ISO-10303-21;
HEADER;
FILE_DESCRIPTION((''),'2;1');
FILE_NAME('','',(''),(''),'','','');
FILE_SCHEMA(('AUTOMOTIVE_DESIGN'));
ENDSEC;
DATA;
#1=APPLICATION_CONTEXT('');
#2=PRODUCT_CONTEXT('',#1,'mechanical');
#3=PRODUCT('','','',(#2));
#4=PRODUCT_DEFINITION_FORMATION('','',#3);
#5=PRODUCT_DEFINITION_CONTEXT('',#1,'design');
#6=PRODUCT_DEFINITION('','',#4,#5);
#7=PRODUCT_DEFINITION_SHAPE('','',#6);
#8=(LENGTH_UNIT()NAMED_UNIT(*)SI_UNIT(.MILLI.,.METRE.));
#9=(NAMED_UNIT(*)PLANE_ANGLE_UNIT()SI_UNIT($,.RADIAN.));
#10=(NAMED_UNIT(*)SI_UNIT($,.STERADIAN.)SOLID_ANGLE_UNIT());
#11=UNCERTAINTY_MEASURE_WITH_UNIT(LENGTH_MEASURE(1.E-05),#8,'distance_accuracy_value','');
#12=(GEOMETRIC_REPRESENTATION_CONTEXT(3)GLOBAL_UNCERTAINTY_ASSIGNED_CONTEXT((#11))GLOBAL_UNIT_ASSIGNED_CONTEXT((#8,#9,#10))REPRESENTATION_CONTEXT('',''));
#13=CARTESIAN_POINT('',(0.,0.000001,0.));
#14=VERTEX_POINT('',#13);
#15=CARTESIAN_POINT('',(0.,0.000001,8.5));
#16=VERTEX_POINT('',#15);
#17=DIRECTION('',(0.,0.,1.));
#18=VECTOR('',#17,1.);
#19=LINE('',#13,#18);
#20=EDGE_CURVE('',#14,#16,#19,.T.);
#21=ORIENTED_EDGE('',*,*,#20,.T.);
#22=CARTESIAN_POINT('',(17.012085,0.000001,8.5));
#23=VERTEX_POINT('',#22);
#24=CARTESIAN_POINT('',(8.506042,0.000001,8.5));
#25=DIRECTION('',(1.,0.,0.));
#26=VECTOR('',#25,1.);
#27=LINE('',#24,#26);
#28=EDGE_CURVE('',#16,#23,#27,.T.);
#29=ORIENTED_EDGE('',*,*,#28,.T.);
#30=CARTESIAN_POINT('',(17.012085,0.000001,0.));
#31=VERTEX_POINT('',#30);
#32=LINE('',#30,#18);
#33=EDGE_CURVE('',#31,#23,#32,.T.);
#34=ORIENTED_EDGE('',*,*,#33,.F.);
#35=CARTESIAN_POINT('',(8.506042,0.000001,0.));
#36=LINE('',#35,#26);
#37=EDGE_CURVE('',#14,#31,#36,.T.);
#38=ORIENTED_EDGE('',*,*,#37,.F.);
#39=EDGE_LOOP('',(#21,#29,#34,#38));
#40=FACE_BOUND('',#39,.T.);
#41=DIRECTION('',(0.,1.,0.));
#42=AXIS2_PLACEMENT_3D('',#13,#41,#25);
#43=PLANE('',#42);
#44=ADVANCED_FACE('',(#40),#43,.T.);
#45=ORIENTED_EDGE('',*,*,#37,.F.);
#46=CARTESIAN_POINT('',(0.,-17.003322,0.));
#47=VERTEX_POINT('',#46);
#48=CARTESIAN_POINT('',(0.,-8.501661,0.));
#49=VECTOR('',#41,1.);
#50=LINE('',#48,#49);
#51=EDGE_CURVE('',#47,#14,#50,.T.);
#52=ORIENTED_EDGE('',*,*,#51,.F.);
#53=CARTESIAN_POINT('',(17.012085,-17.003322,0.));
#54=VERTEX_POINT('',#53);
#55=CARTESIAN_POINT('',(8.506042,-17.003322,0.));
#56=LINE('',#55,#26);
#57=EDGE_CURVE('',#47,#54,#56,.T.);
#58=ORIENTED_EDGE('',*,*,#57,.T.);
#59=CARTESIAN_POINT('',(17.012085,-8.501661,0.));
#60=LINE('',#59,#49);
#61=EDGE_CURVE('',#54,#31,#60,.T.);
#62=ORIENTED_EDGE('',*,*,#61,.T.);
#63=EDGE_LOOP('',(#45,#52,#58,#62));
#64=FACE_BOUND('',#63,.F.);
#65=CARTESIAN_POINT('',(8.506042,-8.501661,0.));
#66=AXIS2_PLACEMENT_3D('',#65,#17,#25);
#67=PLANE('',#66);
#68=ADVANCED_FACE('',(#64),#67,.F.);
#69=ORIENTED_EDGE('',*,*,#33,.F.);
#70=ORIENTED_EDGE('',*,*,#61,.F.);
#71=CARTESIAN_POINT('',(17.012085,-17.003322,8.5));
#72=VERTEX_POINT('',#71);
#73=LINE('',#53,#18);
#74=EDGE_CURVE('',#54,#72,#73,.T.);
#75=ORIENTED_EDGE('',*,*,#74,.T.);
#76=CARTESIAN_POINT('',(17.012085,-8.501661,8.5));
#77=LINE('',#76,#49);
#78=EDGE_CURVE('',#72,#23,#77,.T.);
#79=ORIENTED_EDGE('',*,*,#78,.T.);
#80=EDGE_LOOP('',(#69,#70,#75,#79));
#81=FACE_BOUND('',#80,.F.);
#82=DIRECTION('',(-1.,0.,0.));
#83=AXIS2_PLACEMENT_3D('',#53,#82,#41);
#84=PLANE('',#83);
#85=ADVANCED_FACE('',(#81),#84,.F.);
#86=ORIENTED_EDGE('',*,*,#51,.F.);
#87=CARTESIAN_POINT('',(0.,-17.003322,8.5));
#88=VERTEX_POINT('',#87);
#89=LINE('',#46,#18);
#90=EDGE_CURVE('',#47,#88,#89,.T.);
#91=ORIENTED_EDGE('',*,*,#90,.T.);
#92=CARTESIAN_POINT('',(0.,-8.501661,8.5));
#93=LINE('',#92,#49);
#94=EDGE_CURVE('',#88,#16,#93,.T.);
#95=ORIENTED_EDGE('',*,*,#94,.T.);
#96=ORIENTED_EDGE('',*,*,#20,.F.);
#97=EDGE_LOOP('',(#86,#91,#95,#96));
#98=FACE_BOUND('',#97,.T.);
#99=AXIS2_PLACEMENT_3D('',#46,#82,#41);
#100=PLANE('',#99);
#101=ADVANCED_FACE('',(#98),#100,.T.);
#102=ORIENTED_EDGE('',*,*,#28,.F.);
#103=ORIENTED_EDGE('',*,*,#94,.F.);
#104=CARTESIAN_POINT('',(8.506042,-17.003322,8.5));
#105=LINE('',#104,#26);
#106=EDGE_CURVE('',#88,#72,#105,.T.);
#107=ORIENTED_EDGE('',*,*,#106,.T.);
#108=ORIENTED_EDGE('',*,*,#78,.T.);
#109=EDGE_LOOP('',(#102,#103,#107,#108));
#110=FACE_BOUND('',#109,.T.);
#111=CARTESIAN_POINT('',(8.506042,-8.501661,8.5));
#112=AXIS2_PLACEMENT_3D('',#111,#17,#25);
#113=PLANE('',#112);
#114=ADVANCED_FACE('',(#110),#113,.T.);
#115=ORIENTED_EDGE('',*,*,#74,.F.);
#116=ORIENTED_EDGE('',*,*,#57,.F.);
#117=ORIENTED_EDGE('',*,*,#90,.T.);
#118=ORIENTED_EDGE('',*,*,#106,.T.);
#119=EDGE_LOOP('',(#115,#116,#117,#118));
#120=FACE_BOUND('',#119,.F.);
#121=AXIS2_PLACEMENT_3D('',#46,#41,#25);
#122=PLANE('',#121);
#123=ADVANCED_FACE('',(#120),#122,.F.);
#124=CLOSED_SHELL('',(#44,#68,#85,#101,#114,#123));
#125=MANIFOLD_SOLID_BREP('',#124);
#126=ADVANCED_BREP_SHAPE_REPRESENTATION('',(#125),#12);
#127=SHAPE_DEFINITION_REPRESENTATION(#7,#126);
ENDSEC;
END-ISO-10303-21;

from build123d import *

# Parameters (mm, degrees)
SKETCH_W  = 17.012085
SKETCH_H  = 17.003323
PAD_DEPTH = 8.5


with BuildPart() as part:
    # Sketch → Pad (new body)
    with BuildSketch(Plane.XY):
        with Locations((8.506042, -8.501661)):
            Rectangle(SKETCH_W, SKETCH_H)
    extrude(amount=PAD_DEPTH)


solid = part.part
